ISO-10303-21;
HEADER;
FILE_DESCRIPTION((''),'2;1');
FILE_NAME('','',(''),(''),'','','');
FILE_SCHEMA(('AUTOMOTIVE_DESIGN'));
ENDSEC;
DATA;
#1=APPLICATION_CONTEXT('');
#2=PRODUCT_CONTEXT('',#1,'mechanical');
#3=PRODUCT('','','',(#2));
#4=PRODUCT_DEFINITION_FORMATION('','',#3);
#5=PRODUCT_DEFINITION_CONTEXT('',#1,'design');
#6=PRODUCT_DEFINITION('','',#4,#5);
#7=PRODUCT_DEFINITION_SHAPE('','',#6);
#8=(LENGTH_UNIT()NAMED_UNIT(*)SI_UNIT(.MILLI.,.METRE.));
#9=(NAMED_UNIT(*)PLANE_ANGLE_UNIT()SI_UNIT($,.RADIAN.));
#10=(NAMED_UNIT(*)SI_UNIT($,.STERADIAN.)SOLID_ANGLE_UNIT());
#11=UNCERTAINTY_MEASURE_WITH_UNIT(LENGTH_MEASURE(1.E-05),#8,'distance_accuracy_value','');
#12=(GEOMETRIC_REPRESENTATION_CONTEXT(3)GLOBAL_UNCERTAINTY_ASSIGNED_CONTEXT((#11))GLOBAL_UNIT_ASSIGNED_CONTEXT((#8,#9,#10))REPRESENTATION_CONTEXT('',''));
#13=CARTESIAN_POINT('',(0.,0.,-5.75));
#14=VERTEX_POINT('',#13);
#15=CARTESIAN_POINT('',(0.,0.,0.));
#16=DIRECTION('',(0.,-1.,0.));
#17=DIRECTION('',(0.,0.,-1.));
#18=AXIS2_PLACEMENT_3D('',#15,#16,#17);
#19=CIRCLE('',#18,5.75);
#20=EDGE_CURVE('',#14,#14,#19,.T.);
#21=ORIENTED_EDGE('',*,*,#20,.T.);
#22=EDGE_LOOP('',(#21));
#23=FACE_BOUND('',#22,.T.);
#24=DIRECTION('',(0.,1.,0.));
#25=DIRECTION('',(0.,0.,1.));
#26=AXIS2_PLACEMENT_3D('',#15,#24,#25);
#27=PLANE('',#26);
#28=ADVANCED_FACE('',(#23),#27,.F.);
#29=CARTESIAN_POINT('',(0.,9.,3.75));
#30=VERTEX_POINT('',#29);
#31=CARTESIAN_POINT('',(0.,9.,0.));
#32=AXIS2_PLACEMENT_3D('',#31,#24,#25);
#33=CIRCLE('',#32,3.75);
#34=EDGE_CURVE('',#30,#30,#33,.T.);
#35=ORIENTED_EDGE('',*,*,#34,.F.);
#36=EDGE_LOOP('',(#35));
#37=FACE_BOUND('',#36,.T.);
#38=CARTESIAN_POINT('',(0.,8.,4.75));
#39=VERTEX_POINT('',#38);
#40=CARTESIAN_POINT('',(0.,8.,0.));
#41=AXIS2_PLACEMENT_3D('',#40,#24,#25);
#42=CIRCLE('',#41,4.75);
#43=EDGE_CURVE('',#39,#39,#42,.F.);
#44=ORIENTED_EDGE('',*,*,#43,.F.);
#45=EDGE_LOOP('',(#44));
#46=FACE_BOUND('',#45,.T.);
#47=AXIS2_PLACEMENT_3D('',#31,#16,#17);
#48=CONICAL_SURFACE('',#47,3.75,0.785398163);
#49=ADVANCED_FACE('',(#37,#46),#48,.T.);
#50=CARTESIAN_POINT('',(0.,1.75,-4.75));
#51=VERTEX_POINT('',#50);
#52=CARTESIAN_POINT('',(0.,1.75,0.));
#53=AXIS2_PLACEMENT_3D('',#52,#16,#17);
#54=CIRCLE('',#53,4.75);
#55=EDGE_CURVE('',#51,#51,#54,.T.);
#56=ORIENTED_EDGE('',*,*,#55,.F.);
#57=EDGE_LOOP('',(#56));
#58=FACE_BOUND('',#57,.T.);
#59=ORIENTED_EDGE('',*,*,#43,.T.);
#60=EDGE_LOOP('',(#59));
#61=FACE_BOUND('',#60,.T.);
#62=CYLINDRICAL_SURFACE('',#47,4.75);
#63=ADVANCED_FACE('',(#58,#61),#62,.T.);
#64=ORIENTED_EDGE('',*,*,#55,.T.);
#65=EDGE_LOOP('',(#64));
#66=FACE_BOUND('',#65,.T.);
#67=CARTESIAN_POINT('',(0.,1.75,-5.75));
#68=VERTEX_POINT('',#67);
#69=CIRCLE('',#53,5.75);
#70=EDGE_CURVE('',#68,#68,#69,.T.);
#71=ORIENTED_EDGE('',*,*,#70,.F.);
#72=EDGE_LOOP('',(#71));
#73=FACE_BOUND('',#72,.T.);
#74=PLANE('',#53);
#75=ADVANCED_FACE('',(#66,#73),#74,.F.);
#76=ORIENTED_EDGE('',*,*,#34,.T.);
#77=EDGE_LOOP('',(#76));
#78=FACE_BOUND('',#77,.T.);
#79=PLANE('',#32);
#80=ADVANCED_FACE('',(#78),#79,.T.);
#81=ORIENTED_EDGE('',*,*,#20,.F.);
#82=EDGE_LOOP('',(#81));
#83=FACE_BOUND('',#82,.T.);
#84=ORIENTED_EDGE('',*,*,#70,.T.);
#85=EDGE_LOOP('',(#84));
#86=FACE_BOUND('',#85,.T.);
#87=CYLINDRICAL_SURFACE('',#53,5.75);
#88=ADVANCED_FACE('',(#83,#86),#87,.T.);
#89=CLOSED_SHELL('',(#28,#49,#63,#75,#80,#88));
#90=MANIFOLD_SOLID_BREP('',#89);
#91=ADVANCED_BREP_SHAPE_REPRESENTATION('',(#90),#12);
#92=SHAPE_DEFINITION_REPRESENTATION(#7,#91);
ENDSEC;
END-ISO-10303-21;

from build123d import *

# Parameters (mm, degrees)
SKETCH1_R           = 4.75
BOSS_EXTRUDE1_DEPTH = 9
SKETCH2_R           = 5.75
BOSS_EXTRUDE2_DEPTH = 1.75
CHAMFER1_SIZE       = 1


with BuildPart() as part:
    # Sketch1 → Boss-Extrude1 (new body)
    with BuildSketch(Plane(origin=(0, 0, 0), x_dir=(1, 0, 0), z_dir=(0, 1, 0))):
        with Locations(Location((0, 0, 0), (0, 0, 270))):
            Circle(SKETCH1_R)
    extrude(amount=BOSS_EXTRUDE1_DEPTH)

    # Sketch2 → Boss-Extrude2 (add)
    with BuildSketch(Plane.XZ):
        with Locations(Location((0, 0, 0), (0, 0, 270))):
            Circle(SKETCH2_R)
    extrude(amount=-BOSS_EXTRUDE2_DEPTH)

    # Chamfer1
    chamfer1_edges = [part.edges().sort_by_distance(p)[0] for p in [
        (0, 9, -4.75),
    ]]
    chamfer(chamfer1_edges, length=CHAMFER1_SIZE)


solid = part.part
